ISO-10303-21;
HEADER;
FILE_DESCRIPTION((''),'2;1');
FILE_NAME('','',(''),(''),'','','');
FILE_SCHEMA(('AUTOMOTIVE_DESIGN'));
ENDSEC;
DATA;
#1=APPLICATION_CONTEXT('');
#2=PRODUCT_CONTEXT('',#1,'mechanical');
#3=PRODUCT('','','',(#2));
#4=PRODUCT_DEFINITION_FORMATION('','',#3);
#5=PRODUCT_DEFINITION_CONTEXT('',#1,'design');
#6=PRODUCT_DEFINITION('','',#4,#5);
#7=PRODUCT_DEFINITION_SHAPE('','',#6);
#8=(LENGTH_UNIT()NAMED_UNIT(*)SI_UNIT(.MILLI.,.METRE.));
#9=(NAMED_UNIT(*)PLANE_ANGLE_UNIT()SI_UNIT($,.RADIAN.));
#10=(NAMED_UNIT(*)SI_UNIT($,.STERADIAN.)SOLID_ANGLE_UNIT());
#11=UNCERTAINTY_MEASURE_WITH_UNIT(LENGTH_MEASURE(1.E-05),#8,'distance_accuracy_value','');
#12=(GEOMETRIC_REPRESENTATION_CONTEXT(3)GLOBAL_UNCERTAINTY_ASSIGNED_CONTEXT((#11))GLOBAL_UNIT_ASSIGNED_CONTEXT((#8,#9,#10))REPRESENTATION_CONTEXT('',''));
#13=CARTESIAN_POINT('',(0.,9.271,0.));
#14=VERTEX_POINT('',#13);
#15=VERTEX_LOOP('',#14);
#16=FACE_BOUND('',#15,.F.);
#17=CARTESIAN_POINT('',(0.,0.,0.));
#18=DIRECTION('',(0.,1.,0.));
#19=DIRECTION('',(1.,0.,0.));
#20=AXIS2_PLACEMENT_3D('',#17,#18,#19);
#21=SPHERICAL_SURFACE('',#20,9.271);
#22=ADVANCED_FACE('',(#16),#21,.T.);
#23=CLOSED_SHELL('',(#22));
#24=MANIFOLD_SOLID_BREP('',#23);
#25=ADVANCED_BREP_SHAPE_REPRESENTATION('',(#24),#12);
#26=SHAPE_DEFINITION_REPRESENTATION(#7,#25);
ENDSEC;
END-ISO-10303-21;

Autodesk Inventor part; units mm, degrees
ref_plane "YZ Plane" through (0, 0, 0) normal (1, 0, 0) x (0, 1, 0)
ref_plane "XZ Plane" through (0, 0, 0) normal (0, 1, 0) x (-1, 0, 0)
ref_plane "XY Plane" through (0, 0, 0) normal (0, 0, 1) x (1, 0, 0)
sketch "Sketch1" plane through (0, 0, 0) normal (0, 0, 1) x (1, 0, 0)
  arc A0 (0, -9.271) -> (0, 9.271) centre (0, 0) ccw
  line L0 (0, 9.271) -> (0, -9.271)
  dimension "d0" = 18.542
  dimension "d0" = 18.542
revolve "Revolution1" add sketch "Sketch1" angle 360 about axis through (0, 9.271, 0) along (0, -1, 0)
properties part number "mcdave_bearing"
